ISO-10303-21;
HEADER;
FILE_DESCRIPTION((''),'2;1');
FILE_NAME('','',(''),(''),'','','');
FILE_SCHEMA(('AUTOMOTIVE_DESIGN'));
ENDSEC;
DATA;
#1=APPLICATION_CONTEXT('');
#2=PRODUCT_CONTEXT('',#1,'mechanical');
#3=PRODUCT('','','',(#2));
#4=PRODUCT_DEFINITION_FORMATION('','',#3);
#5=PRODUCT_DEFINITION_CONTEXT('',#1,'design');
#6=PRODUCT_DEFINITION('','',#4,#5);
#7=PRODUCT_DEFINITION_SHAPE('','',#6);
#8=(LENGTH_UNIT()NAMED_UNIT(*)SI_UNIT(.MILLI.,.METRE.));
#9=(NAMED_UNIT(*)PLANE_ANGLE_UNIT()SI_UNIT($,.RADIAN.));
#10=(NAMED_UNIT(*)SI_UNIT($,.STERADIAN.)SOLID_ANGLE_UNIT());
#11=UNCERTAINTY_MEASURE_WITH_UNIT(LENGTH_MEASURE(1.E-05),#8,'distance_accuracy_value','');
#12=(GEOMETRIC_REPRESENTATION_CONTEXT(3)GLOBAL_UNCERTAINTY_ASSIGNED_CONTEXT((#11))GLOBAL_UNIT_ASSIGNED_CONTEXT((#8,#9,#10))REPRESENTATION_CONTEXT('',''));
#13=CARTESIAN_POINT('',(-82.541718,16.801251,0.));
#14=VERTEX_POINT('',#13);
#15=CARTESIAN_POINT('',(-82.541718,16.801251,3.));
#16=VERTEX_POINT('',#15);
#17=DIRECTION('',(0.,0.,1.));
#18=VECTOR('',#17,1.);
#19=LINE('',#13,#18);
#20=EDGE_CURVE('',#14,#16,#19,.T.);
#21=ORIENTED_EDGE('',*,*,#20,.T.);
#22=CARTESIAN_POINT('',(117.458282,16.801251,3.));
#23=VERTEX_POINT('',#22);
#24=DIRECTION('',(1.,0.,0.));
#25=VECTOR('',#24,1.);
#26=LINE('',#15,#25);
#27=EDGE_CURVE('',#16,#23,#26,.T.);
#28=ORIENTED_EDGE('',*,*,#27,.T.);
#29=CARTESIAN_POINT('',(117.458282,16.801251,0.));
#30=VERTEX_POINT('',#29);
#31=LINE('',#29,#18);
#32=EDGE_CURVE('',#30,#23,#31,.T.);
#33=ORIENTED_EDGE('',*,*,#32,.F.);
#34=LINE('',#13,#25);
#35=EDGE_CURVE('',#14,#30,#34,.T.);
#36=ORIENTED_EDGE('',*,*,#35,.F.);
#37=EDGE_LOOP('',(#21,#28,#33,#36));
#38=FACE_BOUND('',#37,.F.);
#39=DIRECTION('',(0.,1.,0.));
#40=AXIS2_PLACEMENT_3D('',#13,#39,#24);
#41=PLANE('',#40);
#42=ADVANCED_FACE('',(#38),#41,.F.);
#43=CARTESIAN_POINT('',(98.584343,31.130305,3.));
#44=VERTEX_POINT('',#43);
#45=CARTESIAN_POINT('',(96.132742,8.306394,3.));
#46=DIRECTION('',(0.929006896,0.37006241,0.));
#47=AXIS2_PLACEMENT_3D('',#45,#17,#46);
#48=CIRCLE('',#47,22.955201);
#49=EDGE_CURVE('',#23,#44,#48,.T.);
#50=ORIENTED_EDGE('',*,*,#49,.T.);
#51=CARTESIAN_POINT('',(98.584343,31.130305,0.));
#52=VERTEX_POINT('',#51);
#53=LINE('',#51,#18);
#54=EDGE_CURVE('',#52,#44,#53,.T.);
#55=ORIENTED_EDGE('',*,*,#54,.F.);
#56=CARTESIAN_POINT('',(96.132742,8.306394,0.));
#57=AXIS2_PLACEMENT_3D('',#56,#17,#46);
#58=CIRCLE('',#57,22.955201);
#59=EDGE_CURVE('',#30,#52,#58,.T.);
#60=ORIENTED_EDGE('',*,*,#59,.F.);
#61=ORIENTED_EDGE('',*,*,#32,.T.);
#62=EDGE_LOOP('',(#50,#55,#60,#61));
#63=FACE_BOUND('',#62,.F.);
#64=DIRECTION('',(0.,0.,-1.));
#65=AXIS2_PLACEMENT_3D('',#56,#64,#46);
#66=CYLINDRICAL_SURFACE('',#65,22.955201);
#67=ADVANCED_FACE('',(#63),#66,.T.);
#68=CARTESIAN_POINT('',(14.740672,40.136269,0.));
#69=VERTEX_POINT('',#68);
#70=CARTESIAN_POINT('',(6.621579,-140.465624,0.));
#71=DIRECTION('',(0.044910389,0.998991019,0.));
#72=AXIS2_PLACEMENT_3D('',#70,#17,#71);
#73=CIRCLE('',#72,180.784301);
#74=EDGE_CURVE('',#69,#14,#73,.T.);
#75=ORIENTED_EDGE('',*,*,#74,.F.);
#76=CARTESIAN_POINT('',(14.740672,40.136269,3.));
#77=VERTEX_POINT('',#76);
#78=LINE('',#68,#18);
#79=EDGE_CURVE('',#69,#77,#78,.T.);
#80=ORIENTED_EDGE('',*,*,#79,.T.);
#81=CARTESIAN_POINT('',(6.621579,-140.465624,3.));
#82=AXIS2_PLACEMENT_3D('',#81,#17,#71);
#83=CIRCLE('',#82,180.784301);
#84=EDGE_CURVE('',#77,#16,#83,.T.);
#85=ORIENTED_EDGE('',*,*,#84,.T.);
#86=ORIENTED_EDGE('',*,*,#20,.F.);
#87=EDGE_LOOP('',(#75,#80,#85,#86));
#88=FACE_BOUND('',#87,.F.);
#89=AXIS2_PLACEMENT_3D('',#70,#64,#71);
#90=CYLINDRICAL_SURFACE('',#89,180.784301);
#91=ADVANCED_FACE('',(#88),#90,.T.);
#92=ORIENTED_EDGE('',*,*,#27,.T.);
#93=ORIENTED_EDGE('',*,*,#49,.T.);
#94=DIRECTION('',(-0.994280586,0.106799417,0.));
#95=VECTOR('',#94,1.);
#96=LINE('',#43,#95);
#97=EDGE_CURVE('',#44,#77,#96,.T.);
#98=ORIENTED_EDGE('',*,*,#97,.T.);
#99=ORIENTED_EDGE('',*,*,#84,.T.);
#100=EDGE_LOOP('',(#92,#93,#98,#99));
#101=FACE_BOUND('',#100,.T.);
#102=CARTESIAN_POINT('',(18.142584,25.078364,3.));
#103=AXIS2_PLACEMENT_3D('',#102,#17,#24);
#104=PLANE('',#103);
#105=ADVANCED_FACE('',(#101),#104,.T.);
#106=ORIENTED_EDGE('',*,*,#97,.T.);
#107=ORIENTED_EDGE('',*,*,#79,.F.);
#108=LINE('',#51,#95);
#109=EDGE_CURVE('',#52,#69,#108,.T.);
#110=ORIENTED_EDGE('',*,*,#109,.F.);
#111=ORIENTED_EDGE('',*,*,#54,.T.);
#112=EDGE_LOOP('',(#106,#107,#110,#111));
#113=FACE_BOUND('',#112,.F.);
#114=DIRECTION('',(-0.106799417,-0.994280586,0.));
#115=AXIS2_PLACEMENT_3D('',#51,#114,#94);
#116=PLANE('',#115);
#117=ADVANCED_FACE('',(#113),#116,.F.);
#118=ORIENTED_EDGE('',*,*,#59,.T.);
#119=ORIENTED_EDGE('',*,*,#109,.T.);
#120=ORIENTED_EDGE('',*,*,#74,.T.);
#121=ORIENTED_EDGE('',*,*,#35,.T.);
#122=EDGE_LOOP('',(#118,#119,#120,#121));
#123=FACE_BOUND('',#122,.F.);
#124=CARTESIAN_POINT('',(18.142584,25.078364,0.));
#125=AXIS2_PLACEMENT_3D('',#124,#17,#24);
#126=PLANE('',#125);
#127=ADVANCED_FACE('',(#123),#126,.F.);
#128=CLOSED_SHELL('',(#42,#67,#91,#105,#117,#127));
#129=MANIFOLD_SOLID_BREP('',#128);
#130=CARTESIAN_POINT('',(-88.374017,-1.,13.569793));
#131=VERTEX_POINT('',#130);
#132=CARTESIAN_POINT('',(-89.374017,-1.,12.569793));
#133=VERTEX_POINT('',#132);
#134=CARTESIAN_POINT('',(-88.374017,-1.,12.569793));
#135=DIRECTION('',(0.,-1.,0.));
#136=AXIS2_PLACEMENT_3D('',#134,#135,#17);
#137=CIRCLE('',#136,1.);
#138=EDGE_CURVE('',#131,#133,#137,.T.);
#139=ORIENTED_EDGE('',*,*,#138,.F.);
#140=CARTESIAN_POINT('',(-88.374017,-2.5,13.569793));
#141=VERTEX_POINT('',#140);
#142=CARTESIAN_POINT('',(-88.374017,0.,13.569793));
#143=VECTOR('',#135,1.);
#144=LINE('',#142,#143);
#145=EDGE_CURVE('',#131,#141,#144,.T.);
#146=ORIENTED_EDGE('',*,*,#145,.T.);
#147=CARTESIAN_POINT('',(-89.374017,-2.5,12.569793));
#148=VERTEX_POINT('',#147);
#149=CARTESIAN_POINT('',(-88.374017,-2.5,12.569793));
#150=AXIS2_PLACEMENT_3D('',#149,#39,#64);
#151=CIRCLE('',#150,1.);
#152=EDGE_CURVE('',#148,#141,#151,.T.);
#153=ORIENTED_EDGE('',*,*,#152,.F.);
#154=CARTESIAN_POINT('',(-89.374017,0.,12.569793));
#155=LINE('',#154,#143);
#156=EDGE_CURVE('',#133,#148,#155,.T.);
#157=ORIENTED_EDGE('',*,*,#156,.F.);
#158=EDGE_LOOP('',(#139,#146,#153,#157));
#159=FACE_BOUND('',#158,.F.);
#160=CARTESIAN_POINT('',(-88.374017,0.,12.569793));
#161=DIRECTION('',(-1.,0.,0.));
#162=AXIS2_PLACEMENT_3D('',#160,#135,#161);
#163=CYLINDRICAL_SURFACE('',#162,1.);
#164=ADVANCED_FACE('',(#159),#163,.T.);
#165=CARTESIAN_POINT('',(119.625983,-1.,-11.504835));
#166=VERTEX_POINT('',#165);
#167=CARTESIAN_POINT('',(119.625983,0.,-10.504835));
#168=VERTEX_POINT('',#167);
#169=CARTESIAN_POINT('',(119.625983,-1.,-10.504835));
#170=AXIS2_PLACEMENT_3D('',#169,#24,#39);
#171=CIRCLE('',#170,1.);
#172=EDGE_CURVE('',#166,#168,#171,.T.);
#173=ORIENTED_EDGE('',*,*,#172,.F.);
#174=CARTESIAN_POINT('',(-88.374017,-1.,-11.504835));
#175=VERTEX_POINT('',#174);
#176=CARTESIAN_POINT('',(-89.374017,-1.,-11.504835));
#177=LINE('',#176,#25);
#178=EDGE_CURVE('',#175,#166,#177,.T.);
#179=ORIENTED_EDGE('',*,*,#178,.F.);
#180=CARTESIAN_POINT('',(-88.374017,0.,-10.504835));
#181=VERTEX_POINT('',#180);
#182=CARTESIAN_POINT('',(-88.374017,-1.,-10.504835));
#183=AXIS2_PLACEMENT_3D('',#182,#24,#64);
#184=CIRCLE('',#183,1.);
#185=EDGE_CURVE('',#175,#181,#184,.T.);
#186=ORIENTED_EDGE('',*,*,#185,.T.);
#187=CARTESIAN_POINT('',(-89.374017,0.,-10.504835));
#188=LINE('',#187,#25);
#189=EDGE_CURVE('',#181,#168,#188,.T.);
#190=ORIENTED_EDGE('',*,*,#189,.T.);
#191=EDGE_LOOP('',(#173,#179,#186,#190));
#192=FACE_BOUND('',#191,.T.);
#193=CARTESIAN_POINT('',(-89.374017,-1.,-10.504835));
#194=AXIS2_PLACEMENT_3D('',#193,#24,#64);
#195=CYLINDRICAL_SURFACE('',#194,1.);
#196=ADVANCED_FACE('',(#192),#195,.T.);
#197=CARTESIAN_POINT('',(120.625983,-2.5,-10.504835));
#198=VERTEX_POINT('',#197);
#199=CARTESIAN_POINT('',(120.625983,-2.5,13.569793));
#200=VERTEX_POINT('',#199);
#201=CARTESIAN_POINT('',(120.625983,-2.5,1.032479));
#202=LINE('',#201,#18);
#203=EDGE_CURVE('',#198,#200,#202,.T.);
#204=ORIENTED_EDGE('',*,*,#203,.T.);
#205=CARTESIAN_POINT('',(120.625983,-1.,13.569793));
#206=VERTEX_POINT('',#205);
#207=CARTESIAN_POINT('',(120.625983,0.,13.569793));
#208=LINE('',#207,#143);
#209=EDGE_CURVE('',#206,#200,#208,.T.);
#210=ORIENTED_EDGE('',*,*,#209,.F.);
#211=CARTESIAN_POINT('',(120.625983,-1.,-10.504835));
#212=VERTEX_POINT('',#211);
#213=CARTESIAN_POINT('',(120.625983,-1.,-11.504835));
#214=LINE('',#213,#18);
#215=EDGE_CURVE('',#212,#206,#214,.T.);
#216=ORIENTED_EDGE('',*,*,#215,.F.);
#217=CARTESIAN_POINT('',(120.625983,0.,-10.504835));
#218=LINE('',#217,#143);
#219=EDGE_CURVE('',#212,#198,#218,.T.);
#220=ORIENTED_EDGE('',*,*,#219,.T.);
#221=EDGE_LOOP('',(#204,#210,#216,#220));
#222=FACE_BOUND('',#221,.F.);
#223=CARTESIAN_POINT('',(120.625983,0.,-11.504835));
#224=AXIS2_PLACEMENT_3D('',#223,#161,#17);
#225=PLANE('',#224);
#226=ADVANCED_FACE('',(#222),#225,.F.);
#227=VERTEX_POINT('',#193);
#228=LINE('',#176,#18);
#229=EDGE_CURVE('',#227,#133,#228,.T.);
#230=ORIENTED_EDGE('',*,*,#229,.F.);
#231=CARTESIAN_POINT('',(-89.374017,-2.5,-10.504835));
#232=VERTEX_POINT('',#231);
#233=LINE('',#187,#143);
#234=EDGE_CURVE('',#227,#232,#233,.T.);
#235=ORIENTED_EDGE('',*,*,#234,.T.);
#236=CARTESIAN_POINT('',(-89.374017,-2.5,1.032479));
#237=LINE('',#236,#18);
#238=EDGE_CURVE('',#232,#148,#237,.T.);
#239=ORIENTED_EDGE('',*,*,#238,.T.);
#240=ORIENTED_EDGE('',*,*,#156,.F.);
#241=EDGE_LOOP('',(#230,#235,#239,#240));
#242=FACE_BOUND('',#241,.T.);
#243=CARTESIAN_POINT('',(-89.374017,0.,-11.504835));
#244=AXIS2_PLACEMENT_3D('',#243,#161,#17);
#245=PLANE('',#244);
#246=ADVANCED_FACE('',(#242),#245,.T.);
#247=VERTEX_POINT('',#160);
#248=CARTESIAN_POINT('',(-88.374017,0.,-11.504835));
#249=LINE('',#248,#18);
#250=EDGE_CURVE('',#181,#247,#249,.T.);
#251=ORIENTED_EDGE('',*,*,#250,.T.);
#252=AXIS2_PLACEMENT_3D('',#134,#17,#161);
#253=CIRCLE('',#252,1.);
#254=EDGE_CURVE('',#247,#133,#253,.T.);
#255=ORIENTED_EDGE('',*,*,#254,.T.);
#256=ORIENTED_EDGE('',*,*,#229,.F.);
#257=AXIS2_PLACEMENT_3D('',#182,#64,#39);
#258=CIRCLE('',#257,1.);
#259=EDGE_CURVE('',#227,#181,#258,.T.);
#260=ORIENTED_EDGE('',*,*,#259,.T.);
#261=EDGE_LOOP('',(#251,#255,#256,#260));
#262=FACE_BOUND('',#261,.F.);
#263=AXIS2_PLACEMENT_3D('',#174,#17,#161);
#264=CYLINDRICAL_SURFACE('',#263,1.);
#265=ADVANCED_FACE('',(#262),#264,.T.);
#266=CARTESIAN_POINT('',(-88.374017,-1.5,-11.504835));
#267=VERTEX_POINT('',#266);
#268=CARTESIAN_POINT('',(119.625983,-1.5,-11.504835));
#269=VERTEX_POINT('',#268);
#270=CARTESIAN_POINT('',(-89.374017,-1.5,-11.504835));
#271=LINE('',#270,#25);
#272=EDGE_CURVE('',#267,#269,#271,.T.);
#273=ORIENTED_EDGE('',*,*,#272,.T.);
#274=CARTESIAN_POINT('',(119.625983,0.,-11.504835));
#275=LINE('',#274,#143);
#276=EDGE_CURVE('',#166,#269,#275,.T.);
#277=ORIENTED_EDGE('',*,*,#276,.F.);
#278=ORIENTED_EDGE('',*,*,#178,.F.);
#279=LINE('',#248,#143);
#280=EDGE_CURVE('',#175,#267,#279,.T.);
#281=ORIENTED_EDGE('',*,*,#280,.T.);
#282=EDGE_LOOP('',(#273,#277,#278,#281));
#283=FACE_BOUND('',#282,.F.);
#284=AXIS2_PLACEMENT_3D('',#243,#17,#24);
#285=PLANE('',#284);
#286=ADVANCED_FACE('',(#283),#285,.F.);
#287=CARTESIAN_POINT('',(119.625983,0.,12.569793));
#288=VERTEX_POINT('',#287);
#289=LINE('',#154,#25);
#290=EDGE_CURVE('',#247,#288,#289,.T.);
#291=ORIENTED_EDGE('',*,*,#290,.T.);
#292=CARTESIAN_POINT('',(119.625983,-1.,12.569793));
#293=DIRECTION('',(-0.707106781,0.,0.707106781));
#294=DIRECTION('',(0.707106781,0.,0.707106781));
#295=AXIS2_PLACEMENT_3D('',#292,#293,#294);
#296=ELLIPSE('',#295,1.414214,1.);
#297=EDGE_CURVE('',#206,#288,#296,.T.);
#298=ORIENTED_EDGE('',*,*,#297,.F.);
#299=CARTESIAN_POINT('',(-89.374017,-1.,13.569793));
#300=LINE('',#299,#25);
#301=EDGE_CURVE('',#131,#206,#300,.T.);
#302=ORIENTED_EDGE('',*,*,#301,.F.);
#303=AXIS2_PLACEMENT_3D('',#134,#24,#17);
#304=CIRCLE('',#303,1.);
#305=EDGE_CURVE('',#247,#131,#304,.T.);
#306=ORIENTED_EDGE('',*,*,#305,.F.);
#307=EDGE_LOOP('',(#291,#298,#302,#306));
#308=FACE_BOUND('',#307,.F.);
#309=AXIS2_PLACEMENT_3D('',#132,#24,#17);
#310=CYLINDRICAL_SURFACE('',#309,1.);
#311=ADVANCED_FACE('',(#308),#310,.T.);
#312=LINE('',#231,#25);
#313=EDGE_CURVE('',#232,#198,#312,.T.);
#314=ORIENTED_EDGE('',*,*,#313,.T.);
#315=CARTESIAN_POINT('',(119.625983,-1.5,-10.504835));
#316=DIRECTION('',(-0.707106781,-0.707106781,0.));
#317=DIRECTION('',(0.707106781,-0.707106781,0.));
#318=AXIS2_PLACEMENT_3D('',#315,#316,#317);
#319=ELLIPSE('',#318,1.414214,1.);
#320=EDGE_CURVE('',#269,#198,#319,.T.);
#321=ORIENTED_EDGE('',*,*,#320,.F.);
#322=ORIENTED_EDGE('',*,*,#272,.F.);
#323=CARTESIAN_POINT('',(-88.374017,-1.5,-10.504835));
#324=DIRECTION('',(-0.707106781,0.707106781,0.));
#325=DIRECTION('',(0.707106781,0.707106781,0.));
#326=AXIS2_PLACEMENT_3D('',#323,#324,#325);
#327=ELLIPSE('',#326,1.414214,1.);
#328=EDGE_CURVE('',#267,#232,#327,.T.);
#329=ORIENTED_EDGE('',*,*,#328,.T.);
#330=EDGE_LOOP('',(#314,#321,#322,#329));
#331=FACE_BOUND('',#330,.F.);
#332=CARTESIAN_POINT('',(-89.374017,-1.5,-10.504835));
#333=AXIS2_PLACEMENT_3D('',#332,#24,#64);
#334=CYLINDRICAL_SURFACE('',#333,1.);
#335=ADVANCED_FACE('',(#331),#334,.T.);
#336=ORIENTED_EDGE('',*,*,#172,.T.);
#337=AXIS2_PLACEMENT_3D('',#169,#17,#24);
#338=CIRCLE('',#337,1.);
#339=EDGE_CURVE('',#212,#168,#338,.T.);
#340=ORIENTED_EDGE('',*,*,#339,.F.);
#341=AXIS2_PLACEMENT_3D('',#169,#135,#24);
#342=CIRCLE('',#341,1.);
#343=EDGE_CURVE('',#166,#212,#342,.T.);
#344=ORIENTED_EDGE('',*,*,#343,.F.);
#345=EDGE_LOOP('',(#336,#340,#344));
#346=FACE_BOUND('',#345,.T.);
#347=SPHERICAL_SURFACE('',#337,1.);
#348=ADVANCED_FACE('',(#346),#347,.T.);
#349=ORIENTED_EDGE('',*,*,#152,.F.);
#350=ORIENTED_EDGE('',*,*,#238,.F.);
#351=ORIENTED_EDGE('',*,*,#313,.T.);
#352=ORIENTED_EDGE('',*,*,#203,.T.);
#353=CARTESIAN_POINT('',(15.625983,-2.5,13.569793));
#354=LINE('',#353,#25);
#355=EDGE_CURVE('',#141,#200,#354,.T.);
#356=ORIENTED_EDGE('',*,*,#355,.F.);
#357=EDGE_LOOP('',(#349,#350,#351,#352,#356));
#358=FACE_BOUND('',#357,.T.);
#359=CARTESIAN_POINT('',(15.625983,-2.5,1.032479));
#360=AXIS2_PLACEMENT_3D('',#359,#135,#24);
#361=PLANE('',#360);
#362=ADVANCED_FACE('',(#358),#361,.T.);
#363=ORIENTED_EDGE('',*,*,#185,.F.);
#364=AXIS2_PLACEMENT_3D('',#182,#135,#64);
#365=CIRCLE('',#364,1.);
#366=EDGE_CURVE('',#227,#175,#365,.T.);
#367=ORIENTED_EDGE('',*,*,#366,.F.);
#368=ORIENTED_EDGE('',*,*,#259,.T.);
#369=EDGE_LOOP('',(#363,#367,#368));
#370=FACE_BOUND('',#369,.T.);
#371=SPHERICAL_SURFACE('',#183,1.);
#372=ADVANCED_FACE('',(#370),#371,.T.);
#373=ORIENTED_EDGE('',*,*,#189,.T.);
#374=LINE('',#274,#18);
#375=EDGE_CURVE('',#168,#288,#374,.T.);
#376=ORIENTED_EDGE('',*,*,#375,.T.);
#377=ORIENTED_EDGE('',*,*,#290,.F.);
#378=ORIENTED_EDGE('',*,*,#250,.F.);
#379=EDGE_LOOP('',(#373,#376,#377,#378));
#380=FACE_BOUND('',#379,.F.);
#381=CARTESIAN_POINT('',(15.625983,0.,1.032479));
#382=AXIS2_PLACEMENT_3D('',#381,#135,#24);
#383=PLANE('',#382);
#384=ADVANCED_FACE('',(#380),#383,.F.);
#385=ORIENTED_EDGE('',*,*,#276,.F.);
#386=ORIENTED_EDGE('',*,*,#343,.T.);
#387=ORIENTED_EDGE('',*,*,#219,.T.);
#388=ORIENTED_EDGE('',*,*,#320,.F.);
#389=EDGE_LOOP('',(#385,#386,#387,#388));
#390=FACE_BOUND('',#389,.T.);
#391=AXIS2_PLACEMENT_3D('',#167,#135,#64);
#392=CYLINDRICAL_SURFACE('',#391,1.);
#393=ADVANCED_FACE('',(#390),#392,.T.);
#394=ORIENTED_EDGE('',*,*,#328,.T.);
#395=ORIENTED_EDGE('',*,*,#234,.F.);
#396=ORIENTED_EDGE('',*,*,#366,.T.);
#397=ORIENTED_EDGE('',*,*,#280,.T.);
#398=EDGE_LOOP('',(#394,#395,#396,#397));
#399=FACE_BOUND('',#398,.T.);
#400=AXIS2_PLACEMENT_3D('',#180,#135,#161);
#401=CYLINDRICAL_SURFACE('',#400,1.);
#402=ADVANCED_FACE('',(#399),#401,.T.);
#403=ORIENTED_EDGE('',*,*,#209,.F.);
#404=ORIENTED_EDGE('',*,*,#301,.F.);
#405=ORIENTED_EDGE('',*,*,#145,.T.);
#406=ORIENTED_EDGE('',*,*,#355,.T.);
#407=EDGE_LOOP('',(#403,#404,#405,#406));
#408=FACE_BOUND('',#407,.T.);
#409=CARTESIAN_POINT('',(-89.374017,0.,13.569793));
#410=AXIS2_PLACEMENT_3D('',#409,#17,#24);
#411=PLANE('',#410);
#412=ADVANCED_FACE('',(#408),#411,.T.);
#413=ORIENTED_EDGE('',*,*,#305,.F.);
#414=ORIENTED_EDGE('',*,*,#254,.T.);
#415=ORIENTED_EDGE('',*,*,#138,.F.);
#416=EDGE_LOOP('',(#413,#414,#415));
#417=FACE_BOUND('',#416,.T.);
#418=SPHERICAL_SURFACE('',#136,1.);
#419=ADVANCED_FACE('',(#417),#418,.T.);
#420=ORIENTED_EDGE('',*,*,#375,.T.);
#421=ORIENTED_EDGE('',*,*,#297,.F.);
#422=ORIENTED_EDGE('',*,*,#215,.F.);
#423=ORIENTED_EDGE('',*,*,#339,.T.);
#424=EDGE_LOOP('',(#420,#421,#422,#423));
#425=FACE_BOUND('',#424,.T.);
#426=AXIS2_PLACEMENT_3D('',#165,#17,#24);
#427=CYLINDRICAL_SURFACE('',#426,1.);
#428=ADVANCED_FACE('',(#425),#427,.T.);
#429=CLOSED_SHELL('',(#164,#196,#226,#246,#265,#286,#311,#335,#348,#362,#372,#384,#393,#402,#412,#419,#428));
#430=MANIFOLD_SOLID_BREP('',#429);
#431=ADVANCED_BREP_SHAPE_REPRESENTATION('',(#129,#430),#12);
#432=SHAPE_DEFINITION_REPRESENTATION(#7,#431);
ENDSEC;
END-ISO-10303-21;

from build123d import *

# Parameters (mm, degrees)
F1_DEPTH = 3
F2_W     = 210
F2_H     = 25.074628
F3_DEPTH = 2.5
F4_R     = 1


with BuildPart() as f1:
    # F0 (on Top) → F1 (new body)
    with BuildSketch(Plane.XY):
        with BuildLine():
            ThreePointArc((14.740672, 40.136269), (-35.546792, 35.331964), (-82.541718, 16.801251))
            Line((-82.541718, 16.801251), (117.458282, 16.801251))
            ThreePointArc((117.458282, 16.801251), (110.013252, 26.58952), (98.584343, 31.130305))
            Line((98.584343, 31.130305), (14.740672, 40.136269))
        make_face()
    extrude(amount=F1_DEPTH)


with BuildPart() as f3:
    # F2 (on Front) → F3 (new body)
    with BuildSketch(Plane.XZ):
        with Locations((15.625983, 1.032479)):
            Rectangle(F2_W, F2_H)
    extrude(amount=F3_DEPTH)

    # F4
    f4_edges = [f3.edges().sort_by_distance(p)[0] for p in [
        (-89.374017, -1.25, 13.569793),
        (15.625983, 0, 13.569793),
        (120.625983, 0, 1.032479),
        (120.625983, -1.25, -11.504835),
        (15.625983, 0, -11.504835),
        (15.625983, -2.5, -11.504835),
        (-89.374017, -1.25, -11.504835),
        (-89.374017, 0, 1.032479),
    ]]
    fillet(f4_edges, radius=F4_R)


solid = Compound([f1.part, f3.part])
